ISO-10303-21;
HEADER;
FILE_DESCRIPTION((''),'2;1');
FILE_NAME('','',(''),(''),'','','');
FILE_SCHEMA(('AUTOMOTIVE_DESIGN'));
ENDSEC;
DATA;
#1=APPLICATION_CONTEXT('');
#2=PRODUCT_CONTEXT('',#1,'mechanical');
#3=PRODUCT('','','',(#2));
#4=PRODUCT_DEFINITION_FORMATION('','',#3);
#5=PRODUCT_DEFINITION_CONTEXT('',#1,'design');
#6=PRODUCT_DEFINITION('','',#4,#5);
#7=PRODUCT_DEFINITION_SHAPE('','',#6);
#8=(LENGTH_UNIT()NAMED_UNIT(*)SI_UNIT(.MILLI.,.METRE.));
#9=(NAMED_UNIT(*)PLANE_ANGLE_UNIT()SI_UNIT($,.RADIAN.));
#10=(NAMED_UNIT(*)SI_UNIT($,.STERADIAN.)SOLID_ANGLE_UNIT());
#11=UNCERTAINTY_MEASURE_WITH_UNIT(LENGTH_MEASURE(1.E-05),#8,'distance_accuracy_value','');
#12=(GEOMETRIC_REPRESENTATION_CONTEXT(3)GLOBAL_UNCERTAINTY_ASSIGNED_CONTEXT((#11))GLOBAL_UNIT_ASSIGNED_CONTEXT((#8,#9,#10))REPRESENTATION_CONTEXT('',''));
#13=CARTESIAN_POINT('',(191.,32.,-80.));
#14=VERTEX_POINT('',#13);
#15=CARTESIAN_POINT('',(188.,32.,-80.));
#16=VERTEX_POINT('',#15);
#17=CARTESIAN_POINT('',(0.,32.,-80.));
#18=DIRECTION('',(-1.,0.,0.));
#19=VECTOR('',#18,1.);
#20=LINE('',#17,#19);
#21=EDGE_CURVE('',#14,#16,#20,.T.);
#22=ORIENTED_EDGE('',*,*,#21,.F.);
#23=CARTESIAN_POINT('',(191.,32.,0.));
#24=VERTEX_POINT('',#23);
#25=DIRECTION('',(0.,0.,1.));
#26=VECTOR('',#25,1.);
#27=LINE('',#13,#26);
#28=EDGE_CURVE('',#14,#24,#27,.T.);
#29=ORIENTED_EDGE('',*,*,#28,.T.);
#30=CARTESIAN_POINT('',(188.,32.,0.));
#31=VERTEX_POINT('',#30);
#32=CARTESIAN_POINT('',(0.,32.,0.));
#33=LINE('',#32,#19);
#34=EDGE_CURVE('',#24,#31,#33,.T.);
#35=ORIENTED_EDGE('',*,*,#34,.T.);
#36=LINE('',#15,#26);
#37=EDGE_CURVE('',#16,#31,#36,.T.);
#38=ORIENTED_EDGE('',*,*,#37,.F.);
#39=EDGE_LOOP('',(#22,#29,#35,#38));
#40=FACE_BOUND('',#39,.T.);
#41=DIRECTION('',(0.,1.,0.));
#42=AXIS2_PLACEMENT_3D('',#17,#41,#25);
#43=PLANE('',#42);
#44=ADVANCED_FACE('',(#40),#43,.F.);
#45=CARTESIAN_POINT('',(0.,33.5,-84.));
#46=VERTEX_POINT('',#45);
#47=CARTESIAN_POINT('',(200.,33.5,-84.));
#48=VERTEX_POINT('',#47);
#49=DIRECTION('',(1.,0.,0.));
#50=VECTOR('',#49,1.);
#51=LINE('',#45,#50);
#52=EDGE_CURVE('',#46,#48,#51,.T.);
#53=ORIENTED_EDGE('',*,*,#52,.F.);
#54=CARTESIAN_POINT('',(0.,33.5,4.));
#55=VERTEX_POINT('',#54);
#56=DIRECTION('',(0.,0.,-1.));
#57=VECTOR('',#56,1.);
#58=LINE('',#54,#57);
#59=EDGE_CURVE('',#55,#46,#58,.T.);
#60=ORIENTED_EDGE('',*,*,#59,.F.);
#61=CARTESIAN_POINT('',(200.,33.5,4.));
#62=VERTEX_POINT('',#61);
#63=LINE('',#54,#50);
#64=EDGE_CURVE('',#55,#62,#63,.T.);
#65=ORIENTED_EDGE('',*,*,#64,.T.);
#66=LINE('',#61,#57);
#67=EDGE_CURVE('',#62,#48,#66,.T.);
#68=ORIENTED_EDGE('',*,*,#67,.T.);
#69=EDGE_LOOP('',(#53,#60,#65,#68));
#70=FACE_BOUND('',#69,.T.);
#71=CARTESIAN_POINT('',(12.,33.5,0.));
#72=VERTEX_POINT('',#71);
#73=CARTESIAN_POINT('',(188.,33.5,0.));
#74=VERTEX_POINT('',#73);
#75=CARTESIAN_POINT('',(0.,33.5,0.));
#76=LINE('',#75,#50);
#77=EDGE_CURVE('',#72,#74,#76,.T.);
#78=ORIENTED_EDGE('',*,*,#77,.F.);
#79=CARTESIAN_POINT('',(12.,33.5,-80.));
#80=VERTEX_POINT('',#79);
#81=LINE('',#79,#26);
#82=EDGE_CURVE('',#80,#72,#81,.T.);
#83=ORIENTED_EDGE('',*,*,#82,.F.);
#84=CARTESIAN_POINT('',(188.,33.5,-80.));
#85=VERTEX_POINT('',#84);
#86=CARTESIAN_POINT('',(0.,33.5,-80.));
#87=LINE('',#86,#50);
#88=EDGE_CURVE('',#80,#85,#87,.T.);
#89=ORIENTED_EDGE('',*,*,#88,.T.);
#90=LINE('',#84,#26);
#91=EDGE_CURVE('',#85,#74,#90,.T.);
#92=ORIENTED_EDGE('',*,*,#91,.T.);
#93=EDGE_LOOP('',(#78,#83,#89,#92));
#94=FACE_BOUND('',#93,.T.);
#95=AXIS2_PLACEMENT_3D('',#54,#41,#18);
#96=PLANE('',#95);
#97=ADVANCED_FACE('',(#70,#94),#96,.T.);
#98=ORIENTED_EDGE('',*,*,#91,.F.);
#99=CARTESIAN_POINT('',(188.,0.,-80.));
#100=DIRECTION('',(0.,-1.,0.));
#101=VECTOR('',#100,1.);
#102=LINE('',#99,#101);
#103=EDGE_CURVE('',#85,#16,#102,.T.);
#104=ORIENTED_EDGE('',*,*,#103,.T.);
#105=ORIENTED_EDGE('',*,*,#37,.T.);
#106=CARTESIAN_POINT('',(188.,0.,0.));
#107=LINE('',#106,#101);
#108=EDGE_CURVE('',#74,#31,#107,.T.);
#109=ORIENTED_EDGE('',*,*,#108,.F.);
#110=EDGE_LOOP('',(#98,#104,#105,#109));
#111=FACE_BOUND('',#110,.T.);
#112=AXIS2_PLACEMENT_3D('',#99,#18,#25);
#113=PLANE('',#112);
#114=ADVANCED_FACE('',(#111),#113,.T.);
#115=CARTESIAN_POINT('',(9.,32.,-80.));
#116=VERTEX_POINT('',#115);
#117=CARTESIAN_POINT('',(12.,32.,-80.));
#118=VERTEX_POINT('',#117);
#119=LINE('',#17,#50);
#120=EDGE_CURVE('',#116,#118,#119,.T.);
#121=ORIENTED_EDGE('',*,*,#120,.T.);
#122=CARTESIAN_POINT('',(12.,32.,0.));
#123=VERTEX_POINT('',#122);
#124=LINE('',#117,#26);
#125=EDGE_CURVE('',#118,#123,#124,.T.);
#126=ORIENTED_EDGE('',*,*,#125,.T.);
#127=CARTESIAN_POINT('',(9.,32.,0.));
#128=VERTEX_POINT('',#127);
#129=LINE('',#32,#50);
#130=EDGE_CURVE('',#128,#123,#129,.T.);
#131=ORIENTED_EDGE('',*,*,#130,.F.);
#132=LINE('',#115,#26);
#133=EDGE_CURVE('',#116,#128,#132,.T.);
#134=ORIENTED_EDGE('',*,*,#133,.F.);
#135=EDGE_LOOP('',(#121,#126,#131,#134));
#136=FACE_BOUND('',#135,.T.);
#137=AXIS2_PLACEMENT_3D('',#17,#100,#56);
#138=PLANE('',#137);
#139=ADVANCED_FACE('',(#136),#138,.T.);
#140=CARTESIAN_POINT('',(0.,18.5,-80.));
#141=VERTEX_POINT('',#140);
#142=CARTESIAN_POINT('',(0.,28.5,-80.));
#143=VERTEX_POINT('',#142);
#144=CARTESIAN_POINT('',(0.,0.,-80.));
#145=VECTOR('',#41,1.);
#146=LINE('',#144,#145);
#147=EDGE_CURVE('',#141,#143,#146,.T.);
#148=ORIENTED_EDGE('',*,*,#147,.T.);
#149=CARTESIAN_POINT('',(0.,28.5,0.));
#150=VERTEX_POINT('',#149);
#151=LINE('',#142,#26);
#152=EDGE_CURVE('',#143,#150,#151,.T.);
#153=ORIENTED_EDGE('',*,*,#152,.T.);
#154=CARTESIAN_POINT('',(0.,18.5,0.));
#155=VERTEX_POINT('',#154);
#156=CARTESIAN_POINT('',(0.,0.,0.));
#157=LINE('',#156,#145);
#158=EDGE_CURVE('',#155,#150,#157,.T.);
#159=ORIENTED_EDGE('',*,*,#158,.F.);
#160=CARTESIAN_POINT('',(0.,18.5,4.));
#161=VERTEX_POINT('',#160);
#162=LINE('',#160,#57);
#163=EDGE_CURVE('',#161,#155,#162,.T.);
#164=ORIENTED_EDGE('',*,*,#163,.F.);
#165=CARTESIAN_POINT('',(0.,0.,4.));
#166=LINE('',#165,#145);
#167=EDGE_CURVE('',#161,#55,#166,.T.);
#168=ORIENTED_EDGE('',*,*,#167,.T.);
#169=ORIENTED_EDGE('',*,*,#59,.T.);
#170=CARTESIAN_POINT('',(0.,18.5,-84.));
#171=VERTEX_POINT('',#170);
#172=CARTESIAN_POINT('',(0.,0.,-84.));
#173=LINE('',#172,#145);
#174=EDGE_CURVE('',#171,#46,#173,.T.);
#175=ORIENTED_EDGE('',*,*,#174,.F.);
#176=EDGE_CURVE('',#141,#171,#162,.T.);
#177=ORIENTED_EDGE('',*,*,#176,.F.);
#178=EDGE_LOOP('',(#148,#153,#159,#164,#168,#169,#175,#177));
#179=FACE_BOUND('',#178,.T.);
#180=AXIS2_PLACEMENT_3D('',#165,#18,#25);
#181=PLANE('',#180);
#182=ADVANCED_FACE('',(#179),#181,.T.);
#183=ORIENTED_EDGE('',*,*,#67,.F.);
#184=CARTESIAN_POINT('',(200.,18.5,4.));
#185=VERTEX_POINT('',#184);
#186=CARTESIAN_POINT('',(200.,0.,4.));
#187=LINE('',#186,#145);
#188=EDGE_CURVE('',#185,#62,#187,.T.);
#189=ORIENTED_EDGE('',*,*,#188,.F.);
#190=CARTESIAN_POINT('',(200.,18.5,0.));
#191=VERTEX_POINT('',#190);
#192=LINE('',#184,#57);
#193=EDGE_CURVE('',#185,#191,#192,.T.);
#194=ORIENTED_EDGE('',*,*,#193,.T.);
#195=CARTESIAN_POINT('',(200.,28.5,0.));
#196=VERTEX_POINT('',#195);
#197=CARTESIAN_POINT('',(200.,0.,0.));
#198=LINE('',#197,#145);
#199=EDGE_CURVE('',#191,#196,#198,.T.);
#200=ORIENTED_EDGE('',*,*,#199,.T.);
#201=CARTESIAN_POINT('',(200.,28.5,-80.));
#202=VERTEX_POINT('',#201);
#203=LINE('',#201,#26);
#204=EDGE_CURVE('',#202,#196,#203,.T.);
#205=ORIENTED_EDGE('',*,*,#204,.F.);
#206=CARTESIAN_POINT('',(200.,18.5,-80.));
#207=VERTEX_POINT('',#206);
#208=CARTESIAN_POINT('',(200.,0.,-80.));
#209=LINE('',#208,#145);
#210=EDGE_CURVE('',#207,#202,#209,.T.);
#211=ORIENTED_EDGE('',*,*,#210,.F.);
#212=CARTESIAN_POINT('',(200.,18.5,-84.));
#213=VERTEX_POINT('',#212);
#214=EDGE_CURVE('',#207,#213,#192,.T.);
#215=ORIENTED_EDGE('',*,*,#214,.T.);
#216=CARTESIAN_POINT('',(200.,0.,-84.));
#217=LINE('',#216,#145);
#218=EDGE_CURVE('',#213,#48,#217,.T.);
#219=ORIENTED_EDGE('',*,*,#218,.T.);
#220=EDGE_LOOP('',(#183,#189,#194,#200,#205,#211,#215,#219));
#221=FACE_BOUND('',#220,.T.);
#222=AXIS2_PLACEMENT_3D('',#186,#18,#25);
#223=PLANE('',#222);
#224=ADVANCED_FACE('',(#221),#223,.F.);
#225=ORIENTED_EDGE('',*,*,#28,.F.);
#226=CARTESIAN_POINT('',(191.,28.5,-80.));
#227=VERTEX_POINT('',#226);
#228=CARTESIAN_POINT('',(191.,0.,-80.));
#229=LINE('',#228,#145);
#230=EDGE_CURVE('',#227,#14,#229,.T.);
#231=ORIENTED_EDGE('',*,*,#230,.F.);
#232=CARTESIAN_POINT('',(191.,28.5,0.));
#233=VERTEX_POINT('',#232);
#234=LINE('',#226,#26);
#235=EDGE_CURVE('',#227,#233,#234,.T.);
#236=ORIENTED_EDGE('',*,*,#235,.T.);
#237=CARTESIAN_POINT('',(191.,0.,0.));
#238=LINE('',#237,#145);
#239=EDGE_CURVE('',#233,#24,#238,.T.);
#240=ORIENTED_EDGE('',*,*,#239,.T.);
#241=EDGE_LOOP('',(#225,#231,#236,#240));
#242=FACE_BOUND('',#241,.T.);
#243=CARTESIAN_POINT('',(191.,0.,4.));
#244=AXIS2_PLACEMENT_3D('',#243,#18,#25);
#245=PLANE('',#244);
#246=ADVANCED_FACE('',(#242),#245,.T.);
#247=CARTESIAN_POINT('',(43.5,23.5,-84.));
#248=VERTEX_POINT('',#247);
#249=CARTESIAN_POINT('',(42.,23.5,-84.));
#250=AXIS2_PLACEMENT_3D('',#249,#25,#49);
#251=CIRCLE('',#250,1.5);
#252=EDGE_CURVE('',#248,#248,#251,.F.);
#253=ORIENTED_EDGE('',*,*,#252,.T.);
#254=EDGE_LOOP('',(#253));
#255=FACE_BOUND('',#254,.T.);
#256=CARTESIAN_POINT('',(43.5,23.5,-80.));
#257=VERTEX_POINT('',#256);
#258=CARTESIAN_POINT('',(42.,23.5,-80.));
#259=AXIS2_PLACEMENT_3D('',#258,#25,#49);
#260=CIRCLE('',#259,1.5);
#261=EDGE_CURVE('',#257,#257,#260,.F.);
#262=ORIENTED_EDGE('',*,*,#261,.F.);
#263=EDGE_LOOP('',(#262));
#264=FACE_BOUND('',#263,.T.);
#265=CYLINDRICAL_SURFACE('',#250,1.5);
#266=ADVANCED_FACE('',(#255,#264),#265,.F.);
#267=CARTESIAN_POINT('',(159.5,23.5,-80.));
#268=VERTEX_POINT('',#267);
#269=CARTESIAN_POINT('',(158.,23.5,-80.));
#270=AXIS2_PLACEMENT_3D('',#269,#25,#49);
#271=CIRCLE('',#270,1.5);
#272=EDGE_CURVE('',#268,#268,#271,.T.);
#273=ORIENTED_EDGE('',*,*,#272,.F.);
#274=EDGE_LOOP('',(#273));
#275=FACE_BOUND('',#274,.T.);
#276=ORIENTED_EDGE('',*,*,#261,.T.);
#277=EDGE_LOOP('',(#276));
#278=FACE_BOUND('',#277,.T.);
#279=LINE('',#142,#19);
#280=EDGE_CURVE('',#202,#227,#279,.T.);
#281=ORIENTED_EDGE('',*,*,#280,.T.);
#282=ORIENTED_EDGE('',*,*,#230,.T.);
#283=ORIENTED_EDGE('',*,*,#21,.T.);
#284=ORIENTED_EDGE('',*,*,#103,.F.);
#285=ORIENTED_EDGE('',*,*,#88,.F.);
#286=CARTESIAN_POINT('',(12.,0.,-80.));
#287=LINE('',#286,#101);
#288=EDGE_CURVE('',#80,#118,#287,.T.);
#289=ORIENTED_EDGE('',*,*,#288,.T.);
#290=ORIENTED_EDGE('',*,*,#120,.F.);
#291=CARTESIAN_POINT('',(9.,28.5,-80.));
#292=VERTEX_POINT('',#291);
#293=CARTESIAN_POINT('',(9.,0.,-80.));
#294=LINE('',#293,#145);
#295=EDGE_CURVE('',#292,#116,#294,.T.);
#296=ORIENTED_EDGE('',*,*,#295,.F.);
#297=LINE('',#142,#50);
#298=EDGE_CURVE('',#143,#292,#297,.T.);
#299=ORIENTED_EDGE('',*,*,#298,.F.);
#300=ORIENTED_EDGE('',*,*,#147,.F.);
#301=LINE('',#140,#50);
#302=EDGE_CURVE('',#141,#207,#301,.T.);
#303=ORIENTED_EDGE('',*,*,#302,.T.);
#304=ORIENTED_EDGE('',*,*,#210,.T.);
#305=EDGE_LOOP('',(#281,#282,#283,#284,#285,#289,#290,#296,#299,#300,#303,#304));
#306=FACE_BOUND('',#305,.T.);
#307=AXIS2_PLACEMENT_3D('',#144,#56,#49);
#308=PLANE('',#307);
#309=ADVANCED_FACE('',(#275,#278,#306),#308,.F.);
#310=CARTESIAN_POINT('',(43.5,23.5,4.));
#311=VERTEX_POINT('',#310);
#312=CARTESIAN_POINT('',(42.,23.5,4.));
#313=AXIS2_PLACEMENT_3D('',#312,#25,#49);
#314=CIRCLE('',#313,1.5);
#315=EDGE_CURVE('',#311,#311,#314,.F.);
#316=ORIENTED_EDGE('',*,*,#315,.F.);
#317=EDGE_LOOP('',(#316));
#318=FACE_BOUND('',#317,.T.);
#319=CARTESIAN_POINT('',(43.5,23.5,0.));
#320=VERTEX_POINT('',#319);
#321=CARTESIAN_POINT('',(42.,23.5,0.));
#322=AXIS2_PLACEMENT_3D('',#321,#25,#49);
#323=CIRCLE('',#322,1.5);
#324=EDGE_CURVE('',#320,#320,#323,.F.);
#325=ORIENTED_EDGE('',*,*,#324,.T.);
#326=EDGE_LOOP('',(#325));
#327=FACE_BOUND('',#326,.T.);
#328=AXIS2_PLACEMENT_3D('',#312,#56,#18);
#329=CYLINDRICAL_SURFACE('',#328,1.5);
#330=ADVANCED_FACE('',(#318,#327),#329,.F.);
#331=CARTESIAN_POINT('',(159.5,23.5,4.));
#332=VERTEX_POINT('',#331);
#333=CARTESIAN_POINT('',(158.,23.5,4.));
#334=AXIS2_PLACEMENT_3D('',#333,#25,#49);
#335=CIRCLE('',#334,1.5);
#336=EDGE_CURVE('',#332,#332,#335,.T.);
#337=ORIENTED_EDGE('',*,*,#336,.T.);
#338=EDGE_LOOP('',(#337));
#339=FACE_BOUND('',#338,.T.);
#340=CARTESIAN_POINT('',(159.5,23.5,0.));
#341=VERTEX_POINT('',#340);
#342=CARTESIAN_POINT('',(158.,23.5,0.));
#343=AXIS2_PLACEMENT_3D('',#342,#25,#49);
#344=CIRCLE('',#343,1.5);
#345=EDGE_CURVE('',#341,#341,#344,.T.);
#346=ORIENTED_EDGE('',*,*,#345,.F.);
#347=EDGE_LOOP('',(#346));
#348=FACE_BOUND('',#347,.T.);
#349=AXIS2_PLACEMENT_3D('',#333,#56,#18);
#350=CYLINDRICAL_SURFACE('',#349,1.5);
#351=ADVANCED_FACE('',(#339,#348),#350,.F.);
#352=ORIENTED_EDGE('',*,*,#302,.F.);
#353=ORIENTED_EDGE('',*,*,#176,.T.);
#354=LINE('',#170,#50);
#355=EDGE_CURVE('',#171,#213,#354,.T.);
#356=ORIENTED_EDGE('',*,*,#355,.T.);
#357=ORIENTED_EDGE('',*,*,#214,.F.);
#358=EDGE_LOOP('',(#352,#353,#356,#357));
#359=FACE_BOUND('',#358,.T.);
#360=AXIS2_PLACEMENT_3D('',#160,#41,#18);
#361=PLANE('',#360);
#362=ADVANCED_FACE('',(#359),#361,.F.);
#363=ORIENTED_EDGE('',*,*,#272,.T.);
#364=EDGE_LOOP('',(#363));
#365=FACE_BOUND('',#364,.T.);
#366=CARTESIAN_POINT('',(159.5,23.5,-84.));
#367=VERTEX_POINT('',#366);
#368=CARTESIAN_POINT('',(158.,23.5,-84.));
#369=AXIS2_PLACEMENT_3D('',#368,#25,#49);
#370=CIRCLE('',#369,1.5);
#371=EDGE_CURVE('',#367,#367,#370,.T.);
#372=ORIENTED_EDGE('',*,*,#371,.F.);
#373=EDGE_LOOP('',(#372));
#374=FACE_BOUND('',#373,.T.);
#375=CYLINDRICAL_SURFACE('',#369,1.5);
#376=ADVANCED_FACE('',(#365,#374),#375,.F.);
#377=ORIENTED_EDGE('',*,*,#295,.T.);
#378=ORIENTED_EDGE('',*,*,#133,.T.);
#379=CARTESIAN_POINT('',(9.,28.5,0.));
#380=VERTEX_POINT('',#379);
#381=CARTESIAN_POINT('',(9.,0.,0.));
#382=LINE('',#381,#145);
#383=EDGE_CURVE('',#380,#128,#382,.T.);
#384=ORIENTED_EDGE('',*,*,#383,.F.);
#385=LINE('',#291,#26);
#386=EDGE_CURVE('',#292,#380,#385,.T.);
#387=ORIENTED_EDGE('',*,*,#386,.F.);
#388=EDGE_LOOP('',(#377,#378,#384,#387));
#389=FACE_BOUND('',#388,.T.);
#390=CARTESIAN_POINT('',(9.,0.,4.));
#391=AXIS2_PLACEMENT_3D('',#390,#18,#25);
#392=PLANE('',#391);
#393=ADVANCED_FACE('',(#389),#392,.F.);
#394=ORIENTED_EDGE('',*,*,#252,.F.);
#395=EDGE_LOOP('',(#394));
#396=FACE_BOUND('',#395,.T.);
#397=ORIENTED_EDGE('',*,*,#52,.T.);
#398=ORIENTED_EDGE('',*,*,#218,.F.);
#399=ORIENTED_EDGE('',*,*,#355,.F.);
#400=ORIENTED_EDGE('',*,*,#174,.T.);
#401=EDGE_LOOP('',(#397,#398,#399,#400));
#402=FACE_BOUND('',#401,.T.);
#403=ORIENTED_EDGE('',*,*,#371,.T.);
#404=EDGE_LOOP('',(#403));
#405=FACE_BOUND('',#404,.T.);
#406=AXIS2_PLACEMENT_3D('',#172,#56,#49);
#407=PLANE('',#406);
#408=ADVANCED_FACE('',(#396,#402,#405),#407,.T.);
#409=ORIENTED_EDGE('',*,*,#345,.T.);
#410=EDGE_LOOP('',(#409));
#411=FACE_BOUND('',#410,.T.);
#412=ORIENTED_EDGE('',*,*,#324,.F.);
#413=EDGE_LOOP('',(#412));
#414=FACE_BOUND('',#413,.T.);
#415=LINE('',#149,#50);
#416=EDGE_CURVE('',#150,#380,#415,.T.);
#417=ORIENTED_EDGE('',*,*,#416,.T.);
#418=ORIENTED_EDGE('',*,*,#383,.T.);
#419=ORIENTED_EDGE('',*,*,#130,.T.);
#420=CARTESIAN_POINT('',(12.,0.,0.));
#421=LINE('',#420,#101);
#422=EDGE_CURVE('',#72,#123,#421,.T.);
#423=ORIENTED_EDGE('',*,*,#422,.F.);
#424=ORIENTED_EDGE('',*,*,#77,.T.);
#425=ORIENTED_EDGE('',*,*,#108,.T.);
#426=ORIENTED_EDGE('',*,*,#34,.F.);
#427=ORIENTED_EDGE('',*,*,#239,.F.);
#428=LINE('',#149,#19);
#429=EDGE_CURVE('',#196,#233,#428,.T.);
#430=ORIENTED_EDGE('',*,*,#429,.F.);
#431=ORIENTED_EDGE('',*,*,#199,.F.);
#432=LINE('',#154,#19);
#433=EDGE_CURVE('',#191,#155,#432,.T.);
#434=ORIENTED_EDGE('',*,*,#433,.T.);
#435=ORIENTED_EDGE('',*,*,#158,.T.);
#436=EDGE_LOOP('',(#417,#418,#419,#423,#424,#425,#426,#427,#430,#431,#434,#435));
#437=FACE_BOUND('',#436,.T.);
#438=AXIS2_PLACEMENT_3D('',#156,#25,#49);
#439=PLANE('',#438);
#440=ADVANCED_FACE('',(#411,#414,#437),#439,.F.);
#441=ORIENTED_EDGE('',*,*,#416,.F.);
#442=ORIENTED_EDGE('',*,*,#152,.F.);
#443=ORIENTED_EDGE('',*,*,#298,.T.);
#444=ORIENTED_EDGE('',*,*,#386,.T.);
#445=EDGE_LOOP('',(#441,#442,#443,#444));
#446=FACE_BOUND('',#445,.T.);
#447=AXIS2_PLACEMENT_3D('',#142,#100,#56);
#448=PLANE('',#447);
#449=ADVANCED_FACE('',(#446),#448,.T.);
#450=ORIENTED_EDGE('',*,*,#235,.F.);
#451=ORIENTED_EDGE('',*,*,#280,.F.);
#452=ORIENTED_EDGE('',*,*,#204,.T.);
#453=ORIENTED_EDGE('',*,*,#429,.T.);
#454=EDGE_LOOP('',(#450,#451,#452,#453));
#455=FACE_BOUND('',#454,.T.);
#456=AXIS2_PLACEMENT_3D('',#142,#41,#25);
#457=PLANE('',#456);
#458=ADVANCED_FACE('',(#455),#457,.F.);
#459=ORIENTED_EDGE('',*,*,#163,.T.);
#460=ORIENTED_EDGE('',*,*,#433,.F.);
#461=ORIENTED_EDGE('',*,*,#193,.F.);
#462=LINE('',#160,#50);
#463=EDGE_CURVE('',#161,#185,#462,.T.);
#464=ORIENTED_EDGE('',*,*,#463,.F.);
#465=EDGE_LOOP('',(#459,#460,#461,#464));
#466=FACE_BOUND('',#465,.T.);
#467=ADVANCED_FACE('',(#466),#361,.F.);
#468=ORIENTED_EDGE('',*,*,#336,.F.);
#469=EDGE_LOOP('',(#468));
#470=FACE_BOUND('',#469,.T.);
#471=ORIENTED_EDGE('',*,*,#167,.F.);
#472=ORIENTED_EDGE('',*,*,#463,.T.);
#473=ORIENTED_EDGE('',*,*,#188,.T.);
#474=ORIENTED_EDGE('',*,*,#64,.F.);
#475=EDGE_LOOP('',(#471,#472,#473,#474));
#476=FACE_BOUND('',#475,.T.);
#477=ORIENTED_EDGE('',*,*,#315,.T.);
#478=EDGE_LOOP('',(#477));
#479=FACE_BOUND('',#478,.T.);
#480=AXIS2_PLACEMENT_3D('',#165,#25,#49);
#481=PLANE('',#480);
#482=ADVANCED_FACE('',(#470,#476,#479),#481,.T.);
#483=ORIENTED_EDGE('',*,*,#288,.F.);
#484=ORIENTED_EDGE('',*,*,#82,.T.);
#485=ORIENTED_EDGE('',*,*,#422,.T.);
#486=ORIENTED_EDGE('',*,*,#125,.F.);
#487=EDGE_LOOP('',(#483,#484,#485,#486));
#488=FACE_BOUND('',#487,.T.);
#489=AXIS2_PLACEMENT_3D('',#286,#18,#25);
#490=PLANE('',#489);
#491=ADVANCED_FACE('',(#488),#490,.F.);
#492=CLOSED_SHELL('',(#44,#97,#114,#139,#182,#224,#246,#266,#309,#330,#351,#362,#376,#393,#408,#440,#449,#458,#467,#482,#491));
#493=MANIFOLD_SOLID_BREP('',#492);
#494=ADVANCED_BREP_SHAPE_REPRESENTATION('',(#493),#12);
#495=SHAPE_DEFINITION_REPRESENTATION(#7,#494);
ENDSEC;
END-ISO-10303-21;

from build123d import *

# Parameters (mm, degrees)
SKETCH1_R                 = 1.5
MOUNTING_PLATE_DEPTH      = 4
RAILS_DEPTH               = 80
SKETCH1_4_W               = 182
SKETCH1_4_H               = 5
MOUNTING_PLATE_2_DEPTH    = 4
SKETCH4_W                 = 200
SKETCH4_H                 = 18.5
UNNECESSARY_PLASTIC_DEPTH = 222.057119315


with BuildPart() as part:
    # Sketch1 → Mounting Plate (new body)
    with BuildSketch(Plane.XY):
        Polygon((191, 28.5), (9, 28.5), (9, 33.5), (0, 33.5), (0, 0), (200, 0), (200, 33.5), (191, 33.5), align=None)
        with Locations((158, 23.5)):
            Circle(SKETCH1_R, mode=Mode.SUBTRACT)
        with Locations((42, 23.5)):
            Circle(SKETCH1_R, mode=Mode.SUBTRACT)
    mounting_plate = extrude(amount=MOUNTING_PLATE_DEPTH)

    # Sketch3 → Rails (add)
    with BuildSketch(Plane(origin=(0, 0, 0), x_dir=(-1, 0, 0), z_dir=(0, 0, -1))):
        Polygon((0, 28.5), (0, 33.5), (-12, 33.5), (-12, 32), (-9, 32), (-9, 28.5), align=None)
        Polygon((-188, 32), (-188, 33.5), (-200, 33.5), (-200, 28.5), (-191, 28.5), (-191, 32), align=None)
    extrude(amount=RAILS_DEPTH)

    # Sketch1<4> → Mounting Plate 2 (add)
    with BuildSketch(Plane.XY):
        with Locations((100, 31)):
            Rectangle(SKETCH1_4_W, SKETCH1_4_H)
    mounting_plate_2 = extrude(amount=MOUNTING_PLATE_2_DEPTH)

    # Mirror1: Mounting Plate, Mounting Plate 2 across plane
    add(mounting_plate.mirror(Plane.XY.offset(-40)))
    add(mounting_plate_2.mirror(Plane.XY.offset(-40)))

    # Sketch4 → Unnecessary Plastic (cut, through all)
    with BuildSketch(Plane(origin=(0, 0, -84), x_dir=(-1, 0, 0), z_dir=(0, 0, -1))):
        with Locations((-100, 9.25)):
            Rectangle(SKETCH4_W, SKETCH4_H)
    extrude(amount=-UNNECESSARY_PLASTIC_DEPTH, mode=Mode.SUBTRACT)


solid = part.part
